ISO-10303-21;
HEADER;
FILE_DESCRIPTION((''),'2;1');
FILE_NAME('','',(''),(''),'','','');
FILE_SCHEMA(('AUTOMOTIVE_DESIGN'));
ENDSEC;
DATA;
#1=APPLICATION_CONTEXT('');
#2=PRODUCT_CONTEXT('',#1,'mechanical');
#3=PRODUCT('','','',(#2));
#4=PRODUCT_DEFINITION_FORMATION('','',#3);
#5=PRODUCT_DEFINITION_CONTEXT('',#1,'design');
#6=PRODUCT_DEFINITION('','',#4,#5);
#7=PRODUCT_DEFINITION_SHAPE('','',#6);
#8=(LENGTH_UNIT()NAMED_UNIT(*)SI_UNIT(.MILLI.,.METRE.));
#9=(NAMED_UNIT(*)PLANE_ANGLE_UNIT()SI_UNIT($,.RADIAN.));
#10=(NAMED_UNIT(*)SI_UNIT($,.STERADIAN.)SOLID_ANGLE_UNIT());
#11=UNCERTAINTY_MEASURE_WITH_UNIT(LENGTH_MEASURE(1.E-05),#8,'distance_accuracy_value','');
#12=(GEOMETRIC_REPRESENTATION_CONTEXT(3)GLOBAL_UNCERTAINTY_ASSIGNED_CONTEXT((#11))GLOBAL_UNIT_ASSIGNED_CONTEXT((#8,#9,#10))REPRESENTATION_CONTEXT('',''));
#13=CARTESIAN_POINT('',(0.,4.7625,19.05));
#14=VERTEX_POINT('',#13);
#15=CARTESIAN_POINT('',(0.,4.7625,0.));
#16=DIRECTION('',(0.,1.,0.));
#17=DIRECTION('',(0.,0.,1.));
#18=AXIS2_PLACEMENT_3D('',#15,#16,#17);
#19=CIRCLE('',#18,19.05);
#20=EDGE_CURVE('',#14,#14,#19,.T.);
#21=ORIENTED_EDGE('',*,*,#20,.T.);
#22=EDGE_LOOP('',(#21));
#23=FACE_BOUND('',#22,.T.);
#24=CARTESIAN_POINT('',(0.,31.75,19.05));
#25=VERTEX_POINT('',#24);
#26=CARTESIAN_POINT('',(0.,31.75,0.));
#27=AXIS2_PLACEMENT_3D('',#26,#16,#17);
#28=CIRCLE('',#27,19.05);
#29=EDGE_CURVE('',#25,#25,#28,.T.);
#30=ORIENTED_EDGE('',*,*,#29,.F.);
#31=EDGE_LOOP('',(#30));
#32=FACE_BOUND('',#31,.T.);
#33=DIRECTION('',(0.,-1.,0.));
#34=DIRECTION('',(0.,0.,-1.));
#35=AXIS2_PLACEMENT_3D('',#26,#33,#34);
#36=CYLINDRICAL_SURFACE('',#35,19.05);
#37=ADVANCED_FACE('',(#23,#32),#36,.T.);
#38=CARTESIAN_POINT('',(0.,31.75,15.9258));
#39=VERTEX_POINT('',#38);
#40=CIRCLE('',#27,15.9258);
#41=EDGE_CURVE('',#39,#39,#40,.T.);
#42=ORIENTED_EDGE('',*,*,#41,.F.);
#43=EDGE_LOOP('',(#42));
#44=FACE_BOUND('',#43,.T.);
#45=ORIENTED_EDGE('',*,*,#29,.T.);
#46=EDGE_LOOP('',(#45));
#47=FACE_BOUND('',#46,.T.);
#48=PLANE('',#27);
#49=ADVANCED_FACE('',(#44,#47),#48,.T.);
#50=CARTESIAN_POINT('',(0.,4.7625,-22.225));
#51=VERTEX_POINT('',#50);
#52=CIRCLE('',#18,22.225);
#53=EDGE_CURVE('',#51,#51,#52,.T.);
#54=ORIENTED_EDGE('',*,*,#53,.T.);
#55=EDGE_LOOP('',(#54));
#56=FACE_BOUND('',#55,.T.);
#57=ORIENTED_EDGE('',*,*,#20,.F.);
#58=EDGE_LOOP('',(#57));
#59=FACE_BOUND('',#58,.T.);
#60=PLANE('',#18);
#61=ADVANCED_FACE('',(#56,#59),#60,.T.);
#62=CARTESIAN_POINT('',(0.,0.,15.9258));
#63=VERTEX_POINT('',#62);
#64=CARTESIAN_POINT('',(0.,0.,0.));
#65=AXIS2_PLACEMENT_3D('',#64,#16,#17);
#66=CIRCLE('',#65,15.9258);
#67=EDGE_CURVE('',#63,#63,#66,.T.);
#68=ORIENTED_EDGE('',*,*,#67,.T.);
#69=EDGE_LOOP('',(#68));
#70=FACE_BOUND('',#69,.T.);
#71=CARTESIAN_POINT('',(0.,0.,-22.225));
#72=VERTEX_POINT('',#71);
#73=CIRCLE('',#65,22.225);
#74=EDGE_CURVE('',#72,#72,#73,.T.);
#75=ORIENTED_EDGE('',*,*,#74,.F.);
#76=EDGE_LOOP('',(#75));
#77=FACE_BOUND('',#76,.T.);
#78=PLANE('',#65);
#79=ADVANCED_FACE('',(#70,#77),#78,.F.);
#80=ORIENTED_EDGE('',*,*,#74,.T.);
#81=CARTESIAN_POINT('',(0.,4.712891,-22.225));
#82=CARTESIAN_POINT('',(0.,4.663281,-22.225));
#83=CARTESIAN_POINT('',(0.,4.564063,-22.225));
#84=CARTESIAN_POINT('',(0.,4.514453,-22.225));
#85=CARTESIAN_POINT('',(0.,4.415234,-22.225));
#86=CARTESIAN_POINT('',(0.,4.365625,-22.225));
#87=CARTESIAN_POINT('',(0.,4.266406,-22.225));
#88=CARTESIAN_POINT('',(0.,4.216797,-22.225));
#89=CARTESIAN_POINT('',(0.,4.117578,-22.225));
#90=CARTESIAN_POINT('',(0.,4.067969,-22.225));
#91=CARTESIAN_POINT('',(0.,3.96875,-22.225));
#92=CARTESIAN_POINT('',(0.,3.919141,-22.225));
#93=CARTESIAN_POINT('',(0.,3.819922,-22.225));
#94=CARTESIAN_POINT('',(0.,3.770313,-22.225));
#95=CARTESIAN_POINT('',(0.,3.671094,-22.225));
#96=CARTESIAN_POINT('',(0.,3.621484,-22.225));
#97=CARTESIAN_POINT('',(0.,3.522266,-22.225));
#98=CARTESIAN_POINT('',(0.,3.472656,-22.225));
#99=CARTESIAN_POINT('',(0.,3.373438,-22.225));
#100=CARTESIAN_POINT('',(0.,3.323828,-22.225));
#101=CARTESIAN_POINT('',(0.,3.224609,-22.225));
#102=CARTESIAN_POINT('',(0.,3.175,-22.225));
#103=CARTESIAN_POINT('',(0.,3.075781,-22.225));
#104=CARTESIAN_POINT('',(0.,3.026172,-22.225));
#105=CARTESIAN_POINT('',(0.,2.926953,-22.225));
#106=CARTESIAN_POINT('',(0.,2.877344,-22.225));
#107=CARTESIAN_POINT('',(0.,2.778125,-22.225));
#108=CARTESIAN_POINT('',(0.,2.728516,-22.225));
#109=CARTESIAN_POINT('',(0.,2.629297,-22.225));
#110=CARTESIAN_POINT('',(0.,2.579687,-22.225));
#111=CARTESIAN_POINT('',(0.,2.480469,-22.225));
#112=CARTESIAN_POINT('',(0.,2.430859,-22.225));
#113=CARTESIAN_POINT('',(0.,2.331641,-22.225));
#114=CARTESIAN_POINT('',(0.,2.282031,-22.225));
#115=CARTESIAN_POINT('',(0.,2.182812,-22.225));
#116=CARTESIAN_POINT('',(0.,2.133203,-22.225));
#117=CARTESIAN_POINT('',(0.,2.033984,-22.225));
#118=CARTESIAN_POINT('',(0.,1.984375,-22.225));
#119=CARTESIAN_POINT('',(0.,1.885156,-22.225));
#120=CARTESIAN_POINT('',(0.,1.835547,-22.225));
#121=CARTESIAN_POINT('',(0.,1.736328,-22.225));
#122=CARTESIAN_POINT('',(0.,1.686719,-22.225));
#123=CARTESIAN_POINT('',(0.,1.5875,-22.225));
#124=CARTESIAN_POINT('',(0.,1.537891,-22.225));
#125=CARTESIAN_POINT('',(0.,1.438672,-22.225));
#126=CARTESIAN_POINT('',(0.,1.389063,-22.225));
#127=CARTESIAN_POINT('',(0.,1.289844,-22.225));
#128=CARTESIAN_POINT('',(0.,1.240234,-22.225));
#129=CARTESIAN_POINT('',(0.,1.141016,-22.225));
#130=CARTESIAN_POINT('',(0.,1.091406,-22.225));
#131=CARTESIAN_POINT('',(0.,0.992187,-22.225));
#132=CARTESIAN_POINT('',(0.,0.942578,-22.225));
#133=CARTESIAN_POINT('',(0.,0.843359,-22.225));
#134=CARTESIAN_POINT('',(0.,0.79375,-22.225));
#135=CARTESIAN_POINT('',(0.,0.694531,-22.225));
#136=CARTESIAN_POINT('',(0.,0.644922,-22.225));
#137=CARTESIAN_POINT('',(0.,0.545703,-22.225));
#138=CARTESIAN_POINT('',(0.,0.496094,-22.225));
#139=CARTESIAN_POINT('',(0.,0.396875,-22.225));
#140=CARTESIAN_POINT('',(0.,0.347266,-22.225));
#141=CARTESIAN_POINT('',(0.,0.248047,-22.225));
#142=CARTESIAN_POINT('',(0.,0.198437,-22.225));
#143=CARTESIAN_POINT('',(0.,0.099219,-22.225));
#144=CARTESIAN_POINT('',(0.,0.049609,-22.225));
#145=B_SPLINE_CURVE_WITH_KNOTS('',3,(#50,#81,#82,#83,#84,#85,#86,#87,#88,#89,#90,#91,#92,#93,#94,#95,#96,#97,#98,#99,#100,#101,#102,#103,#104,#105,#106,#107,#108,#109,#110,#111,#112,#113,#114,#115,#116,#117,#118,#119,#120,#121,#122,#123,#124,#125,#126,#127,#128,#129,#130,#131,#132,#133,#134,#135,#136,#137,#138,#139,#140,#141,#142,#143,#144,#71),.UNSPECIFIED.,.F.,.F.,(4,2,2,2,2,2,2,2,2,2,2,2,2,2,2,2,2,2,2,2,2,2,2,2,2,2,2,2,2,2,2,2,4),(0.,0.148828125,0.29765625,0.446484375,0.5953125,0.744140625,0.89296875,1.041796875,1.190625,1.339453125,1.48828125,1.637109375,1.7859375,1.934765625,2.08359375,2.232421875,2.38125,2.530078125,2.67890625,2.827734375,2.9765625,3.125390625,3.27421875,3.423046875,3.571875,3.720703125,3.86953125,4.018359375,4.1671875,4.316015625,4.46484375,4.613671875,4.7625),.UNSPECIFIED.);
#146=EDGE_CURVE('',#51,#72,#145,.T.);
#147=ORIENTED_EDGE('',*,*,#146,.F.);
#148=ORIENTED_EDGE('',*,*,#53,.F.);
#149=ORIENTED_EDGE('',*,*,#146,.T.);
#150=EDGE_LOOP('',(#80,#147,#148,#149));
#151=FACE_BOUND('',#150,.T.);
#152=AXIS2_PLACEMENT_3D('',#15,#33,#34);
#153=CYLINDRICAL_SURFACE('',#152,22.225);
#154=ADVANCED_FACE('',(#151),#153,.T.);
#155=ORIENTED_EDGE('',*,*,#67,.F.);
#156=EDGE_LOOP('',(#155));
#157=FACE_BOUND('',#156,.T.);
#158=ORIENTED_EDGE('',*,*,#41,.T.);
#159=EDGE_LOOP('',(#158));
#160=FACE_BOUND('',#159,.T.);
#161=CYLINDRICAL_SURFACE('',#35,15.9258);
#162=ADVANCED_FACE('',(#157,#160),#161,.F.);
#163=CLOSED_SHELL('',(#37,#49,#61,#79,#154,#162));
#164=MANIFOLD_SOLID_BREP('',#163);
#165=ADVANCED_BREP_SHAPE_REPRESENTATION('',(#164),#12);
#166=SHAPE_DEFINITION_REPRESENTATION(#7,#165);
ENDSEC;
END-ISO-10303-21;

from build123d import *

# Parameters (mm, degrees)
SKETCH2_R           = 19.05
SKETCH2_R_2         = 15.9258
BOSS_EXTRUDE1_DEPTH = 31.75
SKETCH3_R           = 22.225
SKETCH3_R_2         = 19.05
BOSS_EXTRUDE2_DEPTH = 4.7625


with BuildPart() as part:
    # Sketch2 → Boss-Extrude1 (new body)
    with BuildSketch(Plane(origin=(0, 0, 0), x_dir=(1, 0, 0), z_dir=(0, 1, 0))):
        with Locations(Location((0, 0, 0), (0, 0, 270))):
            Circle(SKETCH2_R)
        with Locations(Location((0, 0, 0), (0, 0, 270))):
            Circle(SKETCH2_R_2, mode=Mode.SUBTRACT)
    extrude(amount=BOSS_EXTRUDE1_DEPTH)

    # Sketch3 → Boss-Extrude2 (add)
    with BuildSketch(Plane(origin=(0, 0, 0), x_dir=(1, 0, 0), z_dir=(0, 1, 0))):
        with Locations(Location((0, 0, 0), (0, 0, 90))):
            Circle(SKETCH3_R)
        with Locations(Location((0, 0, 0), (0, 0, 270))):
            Circle(SKETCH3_R_2, mode=Mode.SUBTRACT)
    extrude(amount=BOSS_EXTRUDE2_DEPTH)


solid = part.part
